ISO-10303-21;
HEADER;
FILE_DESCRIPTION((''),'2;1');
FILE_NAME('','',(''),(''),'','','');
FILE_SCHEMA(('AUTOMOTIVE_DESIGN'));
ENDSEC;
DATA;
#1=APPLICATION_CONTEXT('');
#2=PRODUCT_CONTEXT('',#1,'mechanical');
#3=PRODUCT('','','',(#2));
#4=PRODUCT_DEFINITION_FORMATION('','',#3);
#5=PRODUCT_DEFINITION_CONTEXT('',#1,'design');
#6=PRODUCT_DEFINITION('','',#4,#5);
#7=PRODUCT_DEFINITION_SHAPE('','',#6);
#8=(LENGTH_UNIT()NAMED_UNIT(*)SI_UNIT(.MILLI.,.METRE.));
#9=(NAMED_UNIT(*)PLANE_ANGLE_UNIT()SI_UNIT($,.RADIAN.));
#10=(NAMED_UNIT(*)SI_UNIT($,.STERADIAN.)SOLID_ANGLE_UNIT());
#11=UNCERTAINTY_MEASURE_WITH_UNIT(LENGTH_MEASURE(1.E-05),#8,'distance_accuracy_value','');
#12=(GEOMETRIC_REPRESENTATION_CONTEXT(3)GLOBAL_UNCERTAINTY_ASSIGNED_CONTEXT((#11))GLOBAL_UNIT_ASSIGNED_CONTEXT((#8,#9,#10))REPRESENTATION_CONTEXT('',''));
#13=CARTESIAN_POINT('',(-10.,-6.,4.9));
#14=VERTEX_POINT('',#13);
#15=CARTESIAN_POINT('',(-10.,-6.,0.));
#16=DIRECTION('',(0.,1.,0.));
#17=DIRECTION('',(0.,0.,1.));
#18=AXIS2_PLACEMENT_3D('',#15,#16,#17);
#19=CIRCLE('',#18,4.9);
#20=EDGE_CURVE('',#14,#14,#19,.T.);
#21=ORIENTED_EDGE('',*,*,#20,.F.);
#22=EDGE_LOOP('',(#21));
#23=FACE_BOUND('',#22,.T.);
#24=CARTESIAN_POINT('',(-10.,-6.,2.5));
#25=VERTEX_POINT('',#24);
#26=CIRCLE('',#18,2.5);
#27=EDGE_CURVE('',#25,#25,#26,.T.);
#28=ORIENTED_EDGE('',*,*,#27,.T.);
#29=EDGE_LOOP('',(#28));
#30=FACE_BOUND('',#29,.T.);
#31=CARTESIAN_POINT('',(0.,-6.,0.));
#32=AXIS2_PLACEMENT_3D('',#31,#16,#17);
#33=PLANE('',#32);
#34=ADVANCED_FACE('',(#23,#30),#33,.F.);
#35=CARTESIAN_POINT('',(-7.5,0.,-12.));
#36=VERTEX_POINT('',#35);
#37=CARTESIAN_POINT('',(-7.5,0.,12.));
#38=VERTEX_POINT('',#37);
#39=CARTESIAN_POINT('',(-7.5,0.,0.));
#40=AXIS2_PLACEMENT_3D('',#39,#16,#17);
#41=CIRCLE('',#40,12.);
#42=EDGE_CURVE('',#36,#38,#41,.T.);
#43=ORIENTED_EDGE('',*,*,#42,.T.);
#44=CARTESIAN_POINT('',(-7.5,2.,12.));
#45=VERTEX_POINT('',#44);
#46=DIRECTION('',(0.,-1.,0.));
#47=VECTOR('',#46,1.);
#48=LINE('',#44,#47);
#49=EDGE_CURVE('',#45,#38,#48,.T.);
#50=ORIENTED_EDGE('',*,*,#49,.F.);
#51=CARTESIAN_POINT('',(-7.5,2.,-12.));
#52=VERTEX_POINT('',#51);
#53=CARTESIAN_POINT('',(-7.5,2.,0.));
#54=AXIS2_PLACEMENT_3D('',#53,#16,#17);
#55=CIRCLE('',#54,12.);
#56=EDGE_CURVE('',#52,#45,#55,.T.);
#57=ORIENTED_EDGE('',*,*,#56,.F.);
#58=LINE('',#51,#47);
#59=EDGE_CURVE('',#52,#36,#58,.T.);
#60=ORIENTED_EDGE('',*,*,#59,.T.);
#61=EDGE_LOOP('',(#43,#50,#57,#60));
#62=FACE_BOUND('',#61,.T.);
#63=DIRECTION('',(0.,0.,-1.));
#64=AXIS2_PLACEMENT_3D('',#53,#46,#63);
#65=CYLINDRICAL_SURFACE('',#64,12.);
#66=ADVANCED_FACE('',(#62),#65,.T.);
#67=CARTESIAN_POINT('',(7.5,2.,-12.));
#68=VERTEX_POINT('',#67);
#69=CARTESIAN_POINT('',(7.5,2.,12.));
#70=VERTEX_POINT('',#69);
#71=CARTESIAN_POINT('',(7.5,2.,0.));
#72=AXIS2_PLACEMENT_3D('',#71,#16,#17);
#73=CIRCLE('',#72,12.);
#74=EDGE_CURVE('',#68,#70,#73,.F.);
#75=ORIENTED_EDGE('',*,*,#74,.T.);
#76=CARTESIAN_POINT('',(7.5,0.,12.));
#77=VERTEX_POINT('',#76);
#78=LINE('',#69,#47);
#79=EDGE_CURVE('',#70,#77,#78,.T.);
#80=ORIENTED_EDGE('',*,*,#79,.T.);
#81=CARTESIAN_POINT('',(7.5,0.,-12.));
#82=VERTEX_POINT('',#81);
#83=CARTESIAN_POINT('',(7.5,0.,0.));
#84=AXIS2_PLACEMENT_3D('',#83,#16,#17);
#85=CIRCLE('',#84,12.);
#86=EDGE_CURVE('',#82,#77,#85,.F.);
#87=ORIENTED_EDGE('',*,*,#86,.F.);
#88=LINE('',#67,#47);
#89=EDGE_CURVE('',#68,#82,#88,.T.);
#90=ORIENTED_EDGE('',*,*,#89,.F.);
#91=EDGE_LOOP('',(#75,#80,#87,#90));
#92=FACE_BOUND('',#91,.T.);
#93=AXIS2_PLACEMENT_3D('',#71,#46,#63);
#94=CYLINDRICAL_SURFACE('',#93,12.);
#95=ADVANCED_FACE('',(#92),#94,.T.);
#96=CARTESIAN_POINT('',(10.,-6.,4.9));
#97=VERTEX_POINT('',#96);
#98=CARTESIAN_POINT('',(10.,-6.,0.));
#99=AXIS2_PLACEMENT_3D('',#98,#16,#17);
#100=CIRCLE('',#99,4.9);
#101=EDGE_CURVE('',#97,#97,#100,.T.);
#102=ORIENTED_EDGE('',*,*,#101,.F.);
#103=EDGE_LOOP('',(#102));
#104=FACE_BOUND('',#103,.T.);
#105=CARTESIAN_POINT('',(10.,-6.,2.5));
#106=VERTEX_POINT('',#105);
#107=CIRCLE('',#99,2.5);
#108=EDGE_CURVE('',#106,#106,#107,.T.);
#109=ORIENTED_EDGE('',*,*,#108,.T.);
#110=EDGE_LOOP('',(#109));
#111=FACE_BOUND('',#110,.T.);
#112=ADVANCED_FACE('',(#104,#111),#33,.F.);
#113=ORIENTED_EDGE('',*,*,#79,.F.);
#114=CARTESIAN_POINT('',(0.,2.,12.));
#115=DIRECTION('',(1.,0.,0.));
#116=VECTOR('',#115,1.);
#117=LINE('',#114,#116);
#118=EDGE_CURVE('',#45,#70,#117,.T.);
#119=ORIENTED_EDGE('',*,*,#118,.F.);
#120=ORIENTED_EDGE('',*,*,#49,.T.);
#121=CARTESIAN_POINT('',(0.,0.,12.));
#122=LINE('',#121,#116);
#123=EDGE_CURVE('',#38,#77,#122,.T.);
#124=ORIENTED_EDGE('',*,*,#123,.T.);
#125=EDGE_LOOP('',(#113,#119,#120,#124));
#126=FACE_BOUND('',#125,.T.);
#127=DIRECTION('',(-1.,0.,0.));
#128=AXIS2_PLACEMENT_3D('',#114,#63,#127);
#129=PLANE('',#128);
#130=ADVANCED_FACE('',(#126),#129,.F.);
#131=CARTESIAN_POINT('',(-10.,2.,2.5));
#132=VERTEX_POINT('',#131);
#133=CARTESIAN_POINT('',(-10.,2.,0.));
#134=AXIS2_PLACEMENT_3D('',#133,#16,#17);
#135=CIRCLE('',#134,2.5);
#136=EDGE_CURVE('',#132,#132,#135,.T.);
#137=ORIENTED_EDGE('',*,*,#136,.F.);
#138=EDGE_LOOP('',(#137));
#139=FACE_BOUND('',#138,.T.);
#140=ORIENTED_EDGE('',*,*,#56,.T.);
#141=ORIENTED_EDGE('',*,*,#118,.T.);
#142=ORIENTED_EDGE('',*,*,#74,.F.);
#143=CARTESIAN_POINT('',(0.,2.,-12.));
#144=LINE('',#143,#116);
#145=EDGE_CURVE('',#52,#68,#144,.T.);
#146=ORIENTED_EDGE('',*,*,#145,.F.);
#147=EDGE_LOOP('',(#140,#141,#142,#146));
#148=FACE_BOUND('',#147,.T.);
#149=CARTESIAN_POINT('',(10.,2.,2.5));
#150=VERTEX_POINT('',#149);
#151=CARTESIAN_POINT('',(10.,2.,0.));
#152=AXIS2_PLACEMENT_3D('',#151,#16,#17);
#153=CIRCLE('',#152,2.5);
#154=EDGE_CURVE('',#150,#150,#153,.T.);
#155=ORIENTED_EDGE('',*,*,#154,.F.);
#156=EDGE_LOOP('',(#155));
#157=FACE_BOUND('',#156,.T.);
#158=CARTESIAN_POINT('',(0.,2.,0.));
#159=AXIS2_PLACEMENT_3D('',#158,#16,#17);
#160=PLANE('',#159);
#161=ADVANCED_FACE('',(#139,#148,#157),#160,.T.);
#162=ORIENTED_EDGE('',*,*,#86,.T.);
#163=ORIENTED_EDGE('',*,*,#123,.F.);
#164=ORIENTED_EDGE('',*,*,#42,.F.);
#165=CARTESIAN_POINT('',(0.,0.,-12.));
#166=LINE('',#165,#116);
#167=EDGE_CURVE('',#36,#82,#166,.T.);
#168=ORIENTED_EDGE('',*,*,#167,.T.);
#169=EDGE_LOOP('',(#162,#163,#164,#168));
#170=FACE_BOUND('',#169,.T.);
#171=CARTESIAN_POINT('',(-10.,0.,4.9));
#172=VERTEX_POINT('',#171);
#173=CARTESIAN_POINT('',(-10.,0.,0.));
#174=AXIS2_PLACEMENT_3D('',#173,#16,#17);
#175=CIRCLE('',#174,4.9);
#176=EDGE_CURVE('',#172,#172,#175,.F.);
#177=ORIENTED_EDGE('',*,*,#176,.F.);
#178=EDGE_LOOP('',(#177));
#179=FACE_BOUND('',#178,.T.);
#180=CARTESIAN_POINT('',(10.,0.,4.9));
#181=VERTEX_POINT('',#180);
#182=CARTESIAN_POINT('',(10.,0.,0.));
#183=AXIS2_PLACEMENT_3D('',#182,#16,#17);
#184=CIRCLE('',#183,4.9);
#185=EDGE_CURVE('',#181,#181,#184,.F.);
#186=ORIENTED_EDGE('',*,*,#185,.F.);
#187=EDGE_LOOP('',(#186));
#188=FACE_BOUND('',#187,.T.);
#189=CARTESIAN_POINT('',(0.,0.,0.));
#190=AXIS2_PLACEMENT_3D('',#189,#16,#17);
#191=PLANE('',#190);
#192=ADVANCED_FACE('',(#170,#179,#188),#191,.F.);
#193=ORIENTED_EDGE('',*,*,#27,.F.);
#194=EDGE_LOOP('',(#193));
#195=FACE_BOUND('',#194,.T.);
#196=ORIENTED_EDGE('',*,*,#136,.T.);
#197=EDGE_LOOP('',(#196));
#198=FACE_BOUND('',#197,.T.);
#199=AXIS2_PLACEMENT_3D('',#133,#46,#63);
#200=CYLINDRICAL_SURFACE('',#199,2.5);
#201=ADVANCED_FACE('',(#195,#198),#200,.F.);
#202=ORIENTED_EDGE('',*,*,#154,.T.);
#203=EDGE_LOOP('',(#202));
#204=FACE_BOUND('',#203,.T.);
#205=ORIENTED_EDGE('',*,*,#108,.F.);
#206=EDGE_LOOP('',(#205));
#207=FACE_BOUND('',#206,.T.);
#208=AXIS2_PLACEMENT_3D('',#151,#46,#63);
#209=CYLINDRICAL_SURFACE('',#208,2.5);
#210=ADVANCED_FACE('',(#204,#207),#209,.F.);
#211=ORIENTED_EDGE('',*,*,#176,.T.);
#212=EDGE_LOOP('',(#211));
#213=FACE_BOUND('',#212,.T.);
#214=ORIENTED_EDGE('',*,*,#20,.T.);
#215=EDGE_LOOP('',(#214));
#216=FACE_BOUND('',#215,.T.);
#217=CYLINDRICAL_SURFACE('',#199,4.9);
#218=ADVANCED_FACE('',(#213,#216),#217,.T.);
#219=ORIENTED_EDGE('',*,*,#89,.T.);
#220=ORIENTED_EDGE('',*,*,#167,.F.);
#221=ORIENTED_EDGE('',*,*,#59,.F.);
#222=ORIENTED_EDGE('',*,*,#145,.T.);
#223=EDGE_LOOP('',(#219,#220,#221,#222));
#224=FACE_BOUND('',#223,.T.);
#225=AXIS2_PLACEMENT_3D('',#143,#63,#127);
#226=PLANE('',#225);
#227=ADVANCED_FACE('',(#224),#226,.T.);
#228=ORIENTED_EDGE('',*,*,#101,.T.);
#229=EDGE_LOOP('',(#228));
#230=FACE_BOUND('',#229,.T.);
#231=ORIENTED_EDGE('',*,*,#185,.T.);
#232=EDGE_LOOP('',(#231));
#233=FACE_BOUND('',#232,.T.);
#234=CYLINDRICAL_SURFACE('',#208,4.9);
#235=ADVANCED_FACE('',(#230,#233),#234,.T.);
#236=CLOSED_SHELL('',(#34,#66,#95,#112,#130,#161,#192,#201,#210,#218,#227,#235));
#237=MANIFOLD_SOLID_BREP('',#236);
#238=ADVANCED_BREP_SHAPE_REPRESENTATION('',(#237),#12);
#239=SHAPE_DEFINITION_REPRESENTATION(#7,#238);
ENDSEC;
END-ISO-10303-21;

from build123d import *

# Parameters (mm, degrees)
SKETCH1_R                  = 4.9
BOSS_EXTRUDE1_DEPTH        = 2
BOSS_EXTRUDE2_DEPTH        = 2
BOSS_EXTRUDE2_DEPTH_BACK   = 6
SKETCH1_3_R                = 4.9
SKETCH1_3_R_2              = 2.5
BOSS_EXTRUDE2_2_DEPTH      = 2
BOSS_EXTRUDE2_2_DEPTH_BACK = 6
SKETCH2_R                  = 5.756408641
SKETCH2_R_2                = 3.886057863
SKETCH2_R_3                = 6.078413945
SKETCH2_R_4                = 3.85710511
BOSS_EXTRUDE3_DEPTH        = 2


with BuildPart() as part:
    # Sketch1 → Boss-Extrude1 (new body)
    with BuildSketch(Plane(origin=(0, 0, 0), x_dir=(1, 0, 0), z_dir=(0, 1, 0))):
        with BuildLine():
            Line((7.5, 12), (-7.5, 12))
            ThreePointArc((-7.5, 12), (-19.5, 0), (-7.5, -12))
            Line((-7.5, -12), (7.5, -12))
            ThreePointArc((7.5, -12), (19.5, 0), (7.5, 12))
        make_face()
        with Locations((-10, 0)):
            Circle(SKETCH1_R, mode=Mode.SUBTRACT)
        with Locations((10, 0)):
            Circle(SKETCH1_R, mode=Mode.SUBTRACT)
    extrude(amount=BOSS_EXTRUDE1_DEPTH)



with BuildPart() as body_2:
    # Sketch1<3> → Boss-Extrude2 (new, two sides: drawn at the far end of the back side and taken through both)
    with BuildSketch(Plane(origin=(0, 0, 0), x_dir=(1, 0, 0), z_dir=(0, 1, 0)).offset(-BOSS_EXTRUDE2_DEPTH_BACK)):
        with Locations((-10, 0)):
            Circle(SKETCH1_3_R)
        with Locations((-10, 0)):
            Circle(SKETCH1_3_R_2, mode=Mode.SUBTRACT)
    extrude(amount=BOSS_EXTRUDE2_DEPTH + BOSS_EXTRUDE2_DEPTH_BACK)


with BuildPart() as body_3:
    # Sketch1<3> → Boss-Extrude2 2 (new, two sides: drawn at the far end of the back side and taken through both)
    with BuildSketch(Plane(origin=(0, 0, 0), x_dir=(1, 0, 0), z_dir=(0, 1, 0)).offset(-BOSS_EXTRUDE2_2_DEPTH_BACK)):
        with Locations((10, 0)):
            Circle(SKETCH1_3_R)
        with Locations((10, 0)):
            Circle(SKETCH1_3_R_2, mode=Mode.SUBTRACT)
    extrude(amount=BOSS_EXTRUDE2_2_DEPTH + BOSS_EXTRUDE2_2_DEPTH_BACK)


with BuildPart() as part_1:
    add(part.part)

    add(body_2.part)  # Boss-Extrude3 merges body 2

    add(body_3.part)  # Boss-Extrude3 merges body 3
    # Sketch2 → Boss-Extrude3 (add)
    # profile 1 of 2: a face of its own
    with BuildSketch(Plane(origin=(0, 2, 0), x_dir=(1, 0, 0), z_dir=(0, 1, 0))):
        with Locations((-10, 0)):
            Circle(SKETCH2_R)
        with Locations((-10, 0)):
            Circle(SKETCH2_R_2, mode=Mode.SUBTRACT)
    # profile 2 of 2: a face of its own
    with BuildSketch(Plane(origin=(0, 2, 0), x_dir=(1, 0, 0), z_dir=(0, 1, 0))):
        with Locations((10, 0)):
            Circle(SKETCH2_R_3)
        with Locations((10, 0)):
            Circle(SKETCH2_R_4, mode=Mode.SUBTRACT)
    extrude(amount=-BOSS_EXTRUDE3_DEPTH)


solid = part_1.part
